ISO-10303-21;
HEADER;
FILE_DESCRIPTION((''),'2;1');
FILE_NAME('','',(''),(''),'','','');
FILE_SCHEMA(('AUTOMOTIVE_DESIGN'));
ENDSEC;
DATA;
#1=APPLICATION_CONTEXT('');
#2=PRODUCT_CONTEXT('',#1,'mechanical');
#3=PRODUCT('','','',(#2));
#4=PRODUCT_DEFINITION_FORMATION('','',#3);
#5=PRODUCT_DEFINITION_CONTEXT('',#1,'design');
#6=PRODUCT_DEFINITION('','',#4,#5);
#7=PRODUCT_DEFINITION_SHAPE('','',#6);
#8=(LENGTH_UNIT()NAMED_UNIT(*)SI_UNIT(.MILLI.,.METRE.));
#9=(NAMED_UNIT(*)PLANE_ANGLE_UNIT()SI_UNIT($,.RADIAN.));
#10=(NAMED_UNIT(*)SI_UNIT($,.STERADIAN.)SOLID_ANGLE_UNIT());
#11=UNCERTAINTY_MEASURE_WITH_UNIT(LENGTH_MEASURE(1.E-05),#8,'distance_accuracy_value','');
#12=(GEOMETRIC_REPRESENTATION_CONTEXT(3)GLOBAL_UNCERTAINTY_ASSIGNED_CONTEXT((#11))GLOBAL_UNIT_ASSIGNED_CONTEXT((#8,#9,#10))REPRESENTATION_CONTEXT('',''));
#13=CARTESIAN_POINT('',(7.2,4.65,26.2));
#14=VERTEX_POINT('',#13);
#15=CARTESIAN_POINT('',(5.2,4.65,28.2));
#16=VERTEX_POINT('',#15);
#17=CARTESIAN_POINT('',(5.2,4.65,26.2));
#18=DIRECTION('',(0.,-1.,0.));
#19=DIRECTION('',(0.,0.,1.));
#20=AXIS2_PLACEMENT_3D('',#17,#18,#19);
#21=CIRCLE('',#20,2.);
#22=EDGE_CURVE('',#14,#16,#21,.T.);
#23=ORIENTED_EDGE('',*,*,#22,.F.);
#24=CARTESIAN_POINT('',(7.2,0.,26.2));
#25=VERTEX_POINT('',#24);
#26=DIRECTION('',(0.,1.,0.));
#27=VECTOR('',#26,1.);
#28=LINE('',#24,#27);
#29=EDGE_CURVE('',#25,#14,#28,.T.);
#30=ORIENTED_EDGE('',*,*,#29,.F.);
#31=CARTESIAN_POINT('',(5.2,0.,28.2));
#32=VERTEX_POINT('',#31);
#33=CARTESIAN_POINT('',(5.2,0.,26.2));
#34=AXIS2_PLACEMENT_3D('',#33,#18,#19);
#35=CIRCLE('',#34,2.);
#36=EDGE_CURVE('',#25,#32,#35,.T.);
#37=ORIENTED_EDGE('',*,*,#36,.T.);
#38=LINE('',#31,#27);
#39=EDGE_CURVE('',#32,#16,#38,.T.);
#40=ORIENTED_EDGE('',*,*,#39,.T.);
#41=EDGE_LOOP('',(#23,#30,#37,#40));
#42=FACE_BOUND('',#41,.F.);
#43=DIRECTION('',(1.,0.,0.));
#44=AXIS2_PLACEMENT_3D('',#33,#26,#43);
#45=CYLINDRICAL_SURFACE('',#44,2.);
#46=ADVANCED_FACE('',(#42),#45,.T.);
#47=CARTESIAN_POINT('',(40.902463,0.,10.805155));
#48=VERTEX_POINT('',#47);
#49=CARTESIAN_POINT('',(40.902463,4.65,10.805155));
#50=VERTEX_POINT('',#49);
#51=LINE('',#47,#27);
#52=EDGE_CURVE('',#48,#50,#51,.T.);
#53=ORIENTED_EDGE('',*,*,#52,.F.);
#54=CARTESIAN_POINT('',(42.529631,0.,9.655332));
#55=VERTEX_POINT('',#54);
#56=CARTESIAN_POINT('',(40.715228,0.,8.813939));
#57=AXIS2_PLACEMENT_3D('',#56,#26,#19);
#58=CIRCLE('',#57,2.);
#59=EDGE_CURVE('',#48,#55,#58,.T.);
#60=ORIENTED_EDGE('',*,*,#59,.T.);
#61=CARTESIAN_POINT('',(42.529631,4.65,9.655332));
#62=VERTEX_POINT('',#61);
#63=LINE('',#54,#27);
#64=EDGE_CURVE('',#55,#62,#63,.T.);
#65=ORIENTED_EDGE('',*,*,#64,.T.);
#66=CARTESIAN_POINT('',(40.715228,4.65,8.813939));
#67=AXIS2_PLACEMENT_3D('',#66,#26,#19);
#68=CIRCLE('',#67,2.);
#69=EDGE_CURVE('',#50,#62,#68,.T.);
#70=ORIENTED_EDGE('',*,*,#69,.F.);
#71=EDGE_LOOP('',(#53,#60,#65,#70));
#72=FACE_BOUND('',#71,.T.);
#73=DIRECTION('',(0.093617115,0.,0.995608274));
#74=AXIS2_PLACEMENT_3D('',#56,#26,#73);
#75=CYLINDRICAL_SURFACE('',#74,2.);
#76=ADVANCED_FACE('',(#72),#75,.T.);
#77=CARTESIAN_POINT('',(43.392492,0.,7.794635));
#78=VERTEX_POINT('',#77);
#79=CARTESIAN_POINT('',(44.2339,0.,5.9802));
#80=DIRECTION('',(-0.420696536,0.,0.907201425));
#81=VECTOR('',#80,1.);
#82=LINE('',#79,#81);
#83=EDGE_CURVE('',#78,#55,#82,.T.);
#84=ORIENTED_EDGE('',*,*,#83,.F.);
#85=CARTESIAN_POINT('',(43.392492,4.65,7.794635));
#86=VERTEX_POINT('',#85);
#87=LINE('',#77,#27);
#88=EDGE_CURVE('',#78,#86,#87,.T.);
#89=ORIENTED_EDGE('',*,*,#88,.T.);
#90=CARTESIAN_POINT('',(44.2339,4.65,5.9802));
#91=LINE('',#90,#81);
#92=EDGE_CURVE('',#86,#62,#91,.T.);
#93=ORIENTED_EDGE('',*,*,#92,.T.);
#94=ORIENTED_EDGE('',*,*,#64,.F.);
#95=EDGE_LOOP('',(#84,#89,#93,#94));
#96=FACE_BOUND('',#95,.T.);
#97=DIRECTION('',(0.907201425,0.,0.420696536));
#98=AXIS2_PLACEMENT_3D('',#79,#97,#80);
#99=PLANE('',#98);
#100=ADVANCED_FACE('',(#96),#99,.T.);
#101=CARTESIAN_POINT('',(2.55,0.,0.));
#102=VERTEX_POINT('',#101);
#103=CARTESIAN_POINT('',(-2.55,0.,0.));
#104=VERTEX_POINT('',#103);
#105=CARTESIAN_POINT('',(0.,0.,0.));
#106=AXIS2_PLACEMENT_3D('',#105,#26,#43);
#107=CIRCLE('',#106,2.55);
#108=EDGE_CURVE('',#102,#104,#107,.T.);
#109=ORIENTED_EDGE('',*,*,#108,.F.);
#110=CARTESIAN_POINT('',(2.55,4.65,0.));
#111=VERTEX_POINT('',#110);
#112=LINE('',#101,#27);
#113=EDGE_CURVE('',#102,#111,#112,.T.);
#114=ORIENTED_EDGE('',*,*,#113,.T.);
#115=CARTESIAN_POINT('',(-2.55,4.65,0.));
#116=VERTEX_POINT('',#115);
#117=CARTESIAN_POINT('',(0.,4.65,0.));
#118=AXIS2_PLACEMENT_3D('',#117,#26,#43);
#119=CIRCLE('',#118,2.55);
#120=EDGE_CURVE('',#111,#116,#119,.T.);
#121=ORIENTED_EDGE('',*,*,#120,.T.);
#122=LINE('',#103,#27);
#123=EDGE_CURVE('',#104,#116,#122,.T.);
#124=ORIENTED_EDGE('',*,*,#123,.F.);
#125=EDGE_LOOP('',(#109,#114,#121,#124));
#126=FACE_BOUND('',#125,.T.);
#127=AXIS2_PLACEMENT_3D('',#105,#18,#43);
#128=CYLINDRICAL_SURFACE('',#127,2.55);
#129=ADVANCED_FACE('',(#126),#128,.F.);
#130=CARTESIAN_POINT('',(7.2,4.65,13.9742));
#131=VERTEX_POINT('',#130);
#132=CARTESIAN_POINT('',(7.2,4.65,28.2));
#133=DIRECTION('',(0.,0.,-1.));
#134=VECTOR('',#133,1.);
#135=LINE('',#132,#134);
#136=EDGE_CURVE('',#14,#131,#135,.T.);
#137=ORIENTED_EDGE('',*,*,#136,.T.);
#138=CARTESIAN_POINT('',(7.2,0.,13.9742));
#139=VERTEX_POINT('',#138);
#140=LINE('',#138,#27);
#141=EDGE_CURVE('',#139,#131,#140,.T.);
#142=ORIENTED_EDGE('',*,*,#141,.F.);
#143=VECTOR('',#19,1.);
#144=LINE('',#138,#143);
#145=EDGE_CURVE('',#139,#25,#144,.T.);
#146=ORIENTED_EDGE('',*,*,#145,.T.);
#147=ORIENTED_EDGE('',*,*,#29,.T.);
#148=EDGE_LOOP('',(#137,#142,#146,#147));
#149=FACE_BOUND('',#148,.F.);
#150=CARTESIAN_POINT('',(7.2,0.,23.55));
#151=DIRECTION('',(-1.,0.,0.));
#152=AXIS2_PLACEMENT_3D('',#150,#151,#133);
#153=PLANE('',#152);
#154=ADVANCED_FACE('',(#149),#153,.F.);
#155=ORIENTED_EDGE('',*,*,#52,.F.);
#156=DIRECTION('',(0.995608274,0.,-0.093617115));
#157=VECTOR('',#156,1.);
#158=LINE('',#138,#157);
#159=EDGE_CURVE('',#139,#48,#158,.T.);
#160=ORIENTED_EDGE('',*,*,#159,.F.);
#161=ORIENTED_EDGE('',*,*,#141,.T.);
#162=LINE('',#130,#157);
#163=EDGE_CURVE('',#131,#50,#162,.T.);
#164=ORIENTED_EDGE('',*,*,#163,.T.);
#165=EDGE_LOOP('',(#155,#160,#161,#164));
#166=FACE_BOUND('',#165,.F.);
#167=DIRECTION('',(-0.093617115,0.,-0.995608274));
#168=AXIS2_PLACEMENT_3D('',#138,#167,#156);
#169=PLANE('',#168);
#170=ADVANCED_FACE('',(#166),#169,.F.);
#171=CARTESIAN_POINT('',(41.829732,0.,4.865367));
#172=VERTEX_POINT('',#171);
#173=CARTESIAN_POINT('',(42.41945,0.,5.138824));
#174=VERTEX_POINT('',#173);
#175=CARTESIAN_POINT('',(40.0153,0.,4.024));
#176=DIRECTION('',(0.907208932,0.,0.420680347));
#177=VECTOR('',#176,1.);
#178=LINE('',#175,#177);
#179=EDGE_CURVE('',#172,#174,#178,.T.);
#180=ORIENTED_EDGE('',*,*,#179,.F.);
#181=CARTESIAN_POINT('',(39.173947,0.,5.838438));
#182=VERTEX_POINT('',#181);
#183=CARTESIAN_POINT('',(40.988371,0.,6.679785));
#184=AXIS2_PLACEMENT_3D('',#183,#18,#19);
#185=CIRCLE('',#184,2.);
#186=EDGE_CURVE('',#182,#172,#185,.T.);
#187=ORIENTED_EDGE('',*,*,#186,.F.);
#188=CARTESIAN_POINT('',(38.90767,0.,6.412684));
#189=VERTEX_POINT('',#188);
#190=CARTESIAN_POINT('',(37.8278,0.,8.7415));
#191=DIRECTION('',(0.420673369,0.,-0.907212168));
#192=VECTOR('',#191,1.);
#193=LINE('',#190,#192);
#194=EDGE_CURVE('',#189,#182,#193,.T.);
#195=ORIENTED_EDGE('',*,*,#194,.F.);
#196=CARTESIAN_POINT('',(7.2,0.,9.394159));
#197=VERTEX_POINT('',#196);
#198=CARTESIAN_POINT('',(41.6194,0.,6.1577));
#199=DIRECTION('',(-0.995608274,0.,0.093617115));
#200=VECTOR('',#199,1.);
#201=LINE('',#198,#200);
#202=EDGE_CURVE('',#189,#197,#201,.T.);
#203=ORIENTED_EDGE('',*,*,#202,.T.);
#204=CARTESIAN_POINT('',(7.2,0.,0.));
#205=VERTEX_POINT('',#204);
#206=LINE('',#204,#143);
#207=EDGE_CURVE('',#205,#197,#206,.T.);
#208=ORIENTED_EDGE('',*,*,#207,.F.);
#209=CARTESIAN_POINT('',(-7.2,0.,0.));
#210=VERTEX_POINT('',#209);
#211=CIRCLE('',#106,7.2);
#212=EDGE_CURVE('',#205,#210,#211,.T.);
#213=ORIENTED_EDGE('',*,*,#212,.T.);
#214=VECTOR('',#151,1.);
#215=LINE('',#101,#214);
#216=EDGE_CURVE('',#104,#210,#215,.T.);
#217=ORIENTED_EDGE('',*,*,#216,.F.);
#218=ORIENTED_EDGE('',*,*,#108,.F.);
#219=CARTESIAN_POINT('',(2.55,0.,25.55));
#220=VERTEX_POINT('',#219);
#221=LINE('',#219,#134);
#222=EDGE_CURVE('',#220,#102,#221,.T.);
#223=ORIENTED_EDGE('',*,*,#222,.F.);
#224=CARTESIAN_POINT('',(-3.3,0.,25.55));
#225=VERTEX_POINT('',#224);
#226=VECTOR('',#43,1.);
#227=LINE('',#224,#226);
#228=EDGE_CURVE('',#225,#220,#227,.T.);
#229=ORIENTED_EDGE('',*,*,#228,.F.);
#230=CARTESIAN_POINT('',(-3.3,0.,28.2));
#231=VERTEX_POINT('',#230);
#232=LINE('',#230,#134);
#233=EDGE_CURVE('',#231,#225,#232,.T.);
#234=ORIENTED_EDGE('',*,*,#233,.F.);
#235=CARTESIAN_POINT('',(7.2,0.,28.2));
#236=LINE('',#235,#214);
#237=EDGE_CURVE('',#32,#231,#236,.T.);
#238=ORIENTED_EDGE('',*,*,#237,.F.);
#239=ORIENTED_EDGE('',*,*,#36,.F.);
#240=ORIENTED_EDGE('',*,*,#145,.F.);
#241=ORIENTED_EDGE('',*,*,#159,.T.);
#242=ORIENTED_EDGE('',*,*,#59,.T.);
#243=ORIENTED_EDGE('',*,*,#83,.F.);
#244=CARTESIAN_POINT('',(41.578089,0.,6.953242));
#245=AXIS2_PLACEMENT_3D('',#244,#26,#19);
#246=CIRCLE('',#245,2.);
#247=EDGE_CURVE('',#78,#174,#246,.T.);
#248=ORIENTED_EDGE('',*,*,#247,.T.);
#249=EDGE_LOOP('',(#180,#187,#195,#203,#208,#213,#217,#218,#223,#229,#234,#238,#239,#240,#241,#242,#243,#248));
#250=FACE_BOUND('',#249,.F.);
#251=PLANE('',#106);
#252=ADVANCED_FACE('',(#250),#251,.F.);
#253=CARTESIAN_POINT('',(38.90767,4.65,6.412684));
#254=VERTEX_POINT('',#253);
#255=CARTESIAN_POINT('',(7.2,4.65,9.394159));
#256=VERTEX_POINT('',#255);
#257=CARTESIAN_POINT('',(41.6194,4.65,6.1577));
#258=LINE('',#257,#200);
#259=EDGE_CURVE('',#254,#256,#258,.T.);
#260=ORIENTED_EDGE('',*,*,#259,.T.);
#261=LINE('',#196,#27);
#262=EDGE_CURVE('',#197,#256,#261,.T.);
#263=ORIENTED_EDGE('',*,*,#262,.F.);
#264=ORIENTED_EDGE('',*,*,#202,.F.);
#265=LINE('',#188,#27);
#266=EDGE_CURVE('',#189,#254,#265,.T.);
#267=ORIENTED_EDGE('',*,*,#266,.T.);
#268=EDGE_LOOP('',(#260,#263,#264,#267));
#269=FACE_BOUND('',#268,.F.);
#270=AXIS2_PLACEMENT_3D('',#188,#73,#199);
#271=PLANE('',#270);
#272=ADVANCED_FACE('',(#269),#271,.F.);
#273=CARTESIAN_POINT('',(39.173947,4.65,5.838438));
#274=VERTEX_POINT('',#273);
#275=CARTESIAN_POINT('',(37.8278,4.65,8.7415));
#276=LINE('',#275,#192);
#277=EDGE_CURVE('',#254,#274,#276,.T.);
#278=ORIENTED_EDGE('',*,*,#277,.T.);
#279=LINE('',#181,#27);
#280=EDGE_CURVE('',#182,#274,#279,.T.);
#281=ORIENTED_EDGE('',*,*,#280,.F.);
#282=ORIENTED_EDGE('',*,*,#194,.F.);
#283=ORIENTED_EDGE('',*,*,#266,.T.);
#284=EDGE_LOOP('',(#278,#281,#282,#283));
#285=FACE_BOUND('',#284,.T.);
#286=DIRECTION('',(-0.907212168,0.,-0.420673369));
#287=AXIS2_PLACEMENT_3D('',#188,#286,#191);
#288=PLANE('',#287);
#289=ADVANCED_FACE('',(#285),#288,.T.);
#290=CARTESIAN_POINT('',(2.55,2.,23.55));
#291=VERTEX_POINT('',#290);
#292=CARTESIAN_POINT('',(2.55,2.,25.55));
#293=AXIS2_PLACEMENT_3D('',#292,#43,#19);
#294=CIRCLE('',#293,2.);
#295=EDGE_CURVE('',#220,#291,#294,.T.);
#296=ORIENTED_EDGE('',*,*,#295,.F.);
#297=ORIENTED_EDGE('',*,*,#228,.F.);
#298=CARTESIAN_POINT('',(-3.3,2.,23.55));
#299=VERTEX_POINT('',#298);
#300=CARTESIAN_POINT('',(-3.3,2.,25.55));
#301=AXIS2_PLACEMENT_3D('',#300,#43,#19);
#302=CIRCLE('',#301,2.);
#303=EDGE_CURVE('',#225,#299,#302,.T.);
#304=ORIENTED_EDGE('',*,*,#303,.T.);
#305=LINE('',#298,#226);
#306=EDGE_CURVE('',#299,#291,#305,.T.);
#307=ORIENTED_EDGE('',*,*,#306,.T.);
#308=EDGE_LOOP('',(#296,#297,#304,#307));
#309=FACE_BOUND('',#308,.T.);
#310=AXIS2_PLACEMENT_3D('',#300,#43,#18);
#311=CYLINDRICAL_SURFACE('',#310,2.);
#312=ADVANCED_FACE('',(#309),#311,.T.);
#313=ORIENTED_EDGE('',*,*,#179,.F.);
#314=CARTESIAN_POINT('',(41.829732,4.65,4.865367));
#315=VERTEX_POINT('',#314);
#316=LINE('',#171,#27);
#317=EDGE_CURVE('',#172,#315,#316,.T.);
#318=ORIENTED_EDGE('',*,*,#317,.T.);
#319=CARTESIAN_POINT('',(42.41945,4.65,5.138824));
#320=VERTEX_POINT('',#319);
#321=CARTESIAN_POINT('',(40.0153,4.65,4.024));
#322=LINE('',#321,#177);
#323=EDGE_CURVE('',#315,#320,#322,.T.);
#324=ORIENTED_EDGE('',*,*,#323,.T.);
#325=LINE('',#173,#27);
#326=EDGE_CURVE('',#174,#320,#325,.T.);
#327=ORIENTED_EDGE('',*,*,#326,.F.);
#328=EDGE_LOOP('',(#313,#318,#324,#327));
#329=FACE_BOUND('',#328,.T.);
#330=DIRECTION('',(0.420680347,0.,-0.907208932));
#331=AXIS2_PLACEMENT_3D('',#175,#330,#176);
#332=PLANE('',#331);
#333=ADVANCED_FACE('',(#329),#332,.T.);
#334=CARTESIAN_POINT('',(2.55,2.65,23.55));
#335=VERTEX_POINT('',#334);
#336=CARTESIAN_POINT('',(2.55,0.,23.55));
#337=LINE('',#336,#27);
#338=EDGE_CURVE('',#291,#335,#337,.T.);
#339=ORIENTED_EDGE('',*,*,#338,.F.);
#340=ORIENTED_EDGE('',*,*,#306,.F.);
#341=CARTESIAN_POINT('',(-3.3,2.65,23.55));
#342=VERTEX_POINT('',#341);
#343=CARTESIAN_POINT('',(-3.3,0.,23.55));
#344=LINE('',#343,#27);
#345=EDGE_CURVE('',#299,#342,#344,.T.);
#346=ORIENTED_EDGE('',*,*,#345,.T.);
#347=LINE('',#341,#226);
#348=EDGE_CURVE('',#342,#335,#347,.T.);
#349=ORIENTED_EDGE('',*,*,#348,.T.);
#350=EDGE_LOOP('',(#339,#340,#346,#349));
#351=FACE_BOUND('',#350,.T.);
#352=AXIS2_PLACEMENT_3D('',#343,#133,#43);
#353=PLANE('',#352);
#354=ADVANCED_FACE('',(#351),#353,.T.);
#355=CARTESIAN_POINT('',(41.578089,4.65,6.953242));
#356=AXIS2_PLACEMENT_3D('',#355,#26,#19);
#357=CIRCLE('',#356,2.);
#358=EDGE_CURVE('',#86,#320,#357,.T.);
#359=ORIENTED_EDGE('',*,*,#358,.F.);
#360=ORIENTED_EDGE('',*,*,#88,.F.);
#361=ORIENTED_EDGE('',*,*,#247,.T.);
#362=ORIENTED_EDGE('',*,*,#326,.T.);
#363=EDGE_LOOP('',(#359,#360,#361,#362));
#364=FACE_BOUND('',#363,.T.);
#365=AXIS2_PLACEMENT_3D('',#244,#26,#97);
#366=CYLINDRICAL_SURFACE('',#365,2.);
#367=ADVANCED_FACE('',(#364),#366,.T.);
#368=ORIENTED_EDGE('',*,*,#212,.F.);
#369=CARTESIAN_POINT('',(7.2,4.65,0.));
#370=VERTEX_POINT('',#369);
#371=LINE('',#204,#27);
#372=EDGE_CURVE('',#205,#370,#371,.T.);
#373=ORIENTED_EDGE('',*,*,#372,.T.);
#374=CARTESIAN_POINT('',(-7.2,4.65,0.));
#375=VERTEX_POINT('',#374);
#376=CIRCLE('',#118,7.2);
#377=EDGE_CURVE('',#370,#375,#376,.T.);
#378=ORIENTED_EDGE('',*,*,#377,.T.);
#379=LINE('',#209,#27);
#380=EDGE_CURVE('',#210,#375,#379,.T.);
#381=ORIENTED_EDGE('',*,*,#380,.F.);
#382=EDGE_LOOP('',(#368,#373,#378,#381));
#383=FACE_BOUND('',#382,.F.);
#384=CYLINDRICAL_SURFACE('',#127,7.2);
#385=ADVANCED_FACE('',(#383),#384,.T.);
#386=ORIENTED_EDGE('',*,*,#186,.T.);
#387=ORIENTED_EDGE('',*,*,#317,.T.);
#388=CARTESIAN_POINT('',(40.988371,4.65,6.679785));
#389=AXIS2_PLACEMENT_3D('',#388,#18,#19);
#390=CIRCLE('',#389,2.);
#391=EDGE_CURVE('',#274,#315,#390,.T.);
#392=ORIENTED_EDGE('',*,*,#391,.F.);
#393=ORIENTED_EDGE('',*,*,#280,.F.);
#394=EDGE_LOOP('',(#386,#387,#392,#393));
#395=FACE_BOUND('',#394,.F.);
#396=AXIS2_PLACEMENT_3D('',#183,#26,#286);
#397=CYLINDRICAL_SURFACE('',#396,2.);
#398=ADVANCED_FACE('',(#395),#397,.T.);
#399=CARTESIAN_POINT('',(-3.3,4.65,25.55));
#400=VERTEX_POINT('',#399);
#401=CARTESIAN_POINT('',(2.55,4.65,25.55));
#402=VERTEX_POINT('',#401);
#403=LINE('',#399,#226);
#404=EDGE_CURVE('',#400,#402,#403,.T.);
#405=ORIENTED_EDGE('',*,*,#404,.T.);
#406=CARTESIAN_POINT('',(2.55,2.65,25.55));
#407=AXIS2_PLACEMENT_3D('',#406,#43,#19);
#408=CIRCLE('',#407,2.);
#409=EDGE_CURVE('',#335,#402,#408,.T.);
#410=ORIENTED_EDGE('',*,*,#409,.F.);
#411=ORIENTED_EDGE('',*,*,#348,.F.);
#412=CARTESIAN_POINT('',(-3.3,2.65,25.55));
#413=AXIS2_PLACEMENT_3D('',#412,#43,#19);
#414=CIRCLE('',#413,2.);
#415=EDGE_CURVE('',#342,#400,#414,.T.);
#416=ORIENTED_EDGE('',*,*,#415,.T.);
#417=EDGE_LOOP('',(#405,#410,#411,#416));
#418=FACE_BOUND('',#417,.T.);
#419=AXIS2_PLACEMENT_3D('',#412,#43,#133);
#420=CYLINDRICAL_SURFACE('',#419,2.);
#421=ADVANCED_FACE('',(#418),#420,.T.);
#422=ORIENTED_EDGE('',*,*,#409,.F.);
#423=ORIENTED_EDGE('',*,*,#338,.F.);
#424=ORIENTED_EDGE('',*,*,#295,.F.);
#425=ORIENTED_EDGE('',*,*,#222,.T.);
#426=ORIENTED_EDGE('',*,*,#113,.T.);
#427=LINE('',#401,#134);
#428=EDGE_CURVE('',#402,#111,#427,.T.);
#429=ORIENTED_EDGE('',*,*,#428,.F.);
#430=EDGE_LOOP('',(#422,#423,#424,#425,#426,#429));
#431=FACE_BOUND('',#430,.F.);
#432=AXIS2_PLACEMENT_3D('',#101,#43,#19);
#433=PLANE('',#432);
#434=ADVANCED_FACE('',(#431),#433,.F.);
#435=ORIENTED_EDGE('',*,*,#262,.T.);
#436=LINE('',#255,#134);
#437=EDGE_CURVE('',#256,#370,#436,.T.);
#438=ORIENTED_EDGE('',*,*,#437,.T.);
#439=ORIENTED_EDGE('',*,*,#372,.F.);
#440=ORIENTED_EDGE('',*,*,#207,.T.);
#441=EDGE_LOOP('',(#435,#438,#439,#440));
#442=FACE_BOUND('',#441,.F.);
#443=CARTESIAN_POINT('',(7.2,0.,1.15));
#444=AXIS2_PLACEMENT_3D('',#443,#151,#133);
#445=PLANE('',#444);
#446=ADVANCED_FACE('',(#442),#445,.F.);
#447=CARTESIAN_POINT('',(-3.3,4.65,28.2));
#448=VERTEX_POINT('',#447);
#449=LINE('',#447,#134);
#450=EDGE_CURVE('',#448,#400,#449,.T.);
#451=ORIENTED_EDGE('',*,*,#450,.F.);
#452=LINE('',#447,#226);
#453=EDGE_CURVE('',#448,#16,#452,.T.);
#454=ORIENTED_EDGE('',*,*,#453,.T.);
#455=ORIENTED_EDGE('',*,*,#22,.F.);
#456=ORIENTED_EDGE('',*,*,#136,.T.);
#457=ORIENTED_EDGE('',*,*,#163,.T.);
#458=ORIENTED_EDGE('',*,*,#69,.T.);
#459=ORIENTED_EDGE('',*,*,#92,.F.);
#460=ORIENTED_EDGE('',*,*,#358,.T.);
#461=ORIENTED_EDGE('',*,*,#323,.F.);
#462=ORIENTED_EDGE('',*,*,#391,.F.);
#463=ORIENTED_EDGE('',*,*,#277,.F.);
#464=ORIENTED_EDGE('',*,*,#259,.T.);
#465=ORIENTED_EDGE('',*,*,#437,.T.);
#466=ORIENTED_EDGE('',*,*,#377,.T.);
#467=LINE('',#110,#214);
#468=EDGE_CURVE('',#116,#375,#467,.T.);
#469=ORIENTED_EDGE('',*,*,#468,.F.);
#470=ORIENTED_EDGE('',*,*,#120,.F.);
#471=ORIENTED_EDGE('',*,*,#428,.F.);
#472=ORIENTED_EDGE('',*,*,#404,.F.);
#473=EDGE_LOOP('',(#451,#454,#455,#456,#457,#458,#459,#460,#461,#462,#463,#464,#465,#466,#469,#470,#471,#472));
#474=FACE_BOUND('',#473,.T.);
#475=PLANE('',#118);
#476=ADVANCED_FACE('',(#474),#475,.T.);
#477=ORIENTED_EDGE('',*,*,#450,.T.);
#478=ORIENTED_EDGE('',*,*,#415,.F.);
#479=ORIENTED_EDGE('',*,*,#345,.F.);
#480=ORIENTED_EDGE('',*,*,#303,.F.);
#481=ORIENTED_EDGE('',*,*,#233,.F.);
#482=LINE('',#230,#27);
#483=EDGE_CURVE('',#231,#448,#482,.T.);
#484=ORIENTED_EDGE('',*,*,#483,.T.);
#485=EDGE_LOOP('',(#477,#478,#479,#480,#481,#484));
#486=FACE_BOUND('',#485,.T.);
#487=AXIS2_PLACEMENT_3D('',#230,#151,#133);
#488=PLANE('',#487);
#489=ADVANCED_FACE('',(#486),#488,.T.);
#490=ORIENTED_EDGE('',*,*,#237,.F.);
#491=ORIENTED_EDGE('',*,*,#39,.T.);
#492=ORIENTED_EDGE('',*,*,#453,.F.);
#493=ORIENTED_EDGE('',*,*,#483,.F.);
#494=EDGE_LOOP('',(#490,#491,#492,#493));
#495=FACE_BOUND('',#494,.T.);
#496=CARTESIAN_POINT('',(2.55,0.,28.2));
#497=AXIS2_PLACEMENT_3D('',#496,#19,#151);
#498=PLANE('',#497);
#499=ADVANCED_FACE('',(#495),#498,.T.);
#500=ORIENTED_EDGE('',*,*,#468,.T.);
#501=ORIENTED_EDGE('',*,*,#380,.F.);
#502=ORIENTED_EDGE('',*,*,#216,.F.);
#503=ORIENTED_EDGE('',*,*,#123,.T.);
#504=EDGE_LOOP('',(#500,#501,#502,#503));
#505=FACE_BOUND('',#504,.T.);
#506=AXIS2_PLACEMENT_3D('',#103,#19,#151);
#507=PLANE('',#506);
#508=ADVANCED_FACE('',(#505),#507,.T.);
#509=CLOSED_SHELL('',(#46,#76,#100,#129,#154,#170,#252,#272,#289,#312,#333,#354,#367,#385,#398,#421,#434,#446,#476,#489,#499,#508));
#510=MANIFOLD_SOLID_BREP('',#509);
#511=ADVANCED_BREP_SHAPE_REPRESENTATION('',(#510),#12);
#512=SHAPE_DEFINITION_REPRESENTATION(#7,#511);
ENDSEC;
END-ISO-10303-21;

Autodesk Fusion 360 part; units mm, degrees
sketch "Sketch1" plane through (0, 0, 0) normal (0, 1, 0) x (1, 0, 0)
  circle A0 centre (0, 0) radius 7.2
  circle A1 centre (0, 0) radius 2.55
  line L0 (7.2, 0) -> (2.55, 0)
  line L1 (2.55, 0) -> (2.55, -28.2)
  line L2 (2.55, -28.2) -> (7.2, -28.2)
  line L3 (7.2, -28.2) -> (7.2, 0)
  line L4 (7.2, -28.2) -> (-3.3, -28.2)
  line L5 (-3.3, -28.2) -> (-3.3, -23.55)
  line L6 (-3.3, -23.55) -> (7.2, -23.55)
  line L7 (7.2, -23.55) -> (7.2, -28.2)
  line L8 (2.55, 0) -> (-7.2, 0)
  line L9 (7.2, -5.8) -> (7.2, -1.15)
  line L10 (7.2, -13.9742) -> (42.0463, -10.6976)
  line L11 (42.0463, -10.6976) -> (41.6194, -6.1577)
  line L12 (41.6194, -6.1577) -> (6.7731, -9.4343)
  line L13 (6.7731, -9.4343) -> (7.2, -13.9742)
  line L14 (42.0463, -10.6976) -> (37.8278, -8.7415)
  line L15 (37.8278, -8.7415) -> (40.0153, -4.024)
  line L16 (40.0153, -4.024) -> (44.2339, -5.9802)
  line L17 (44.2339, -5.9802) -> (42.0463, -10.6976)
  dimension "d1" = 14.4
  dimension "d2" = 5.1
  dimension "d3" = 4.65
  dimension "d4" = 28.2
  dimension "d5" = 10.5
  dimension "d6" = 4.65
  dimension "d16" = 35
  dimension "d17" = 4.56
  dimension "d18" = 4.65
  dimension "d19" = 5.2
extrude "Extrude1" add sketch "Sketch1" along normal blind 4.65 contours A0 A1 L0 L8 | A0 L1 L3 L6 L9 L12 L13 | A0 L0 L1 | L1 L2 L3 L4 L6 L7 | L1 L4 L5 L6 | L3 L10 L12 L14 L15 | L3 L12 L13 | L11 L12 L15 L16 L17 | L11 L12 L14 L15
fillet "Fillet1" radius 2 3 edges at (40.0153, 2.325, 4.024) (44.2339, 2.325, 5.9802) (42.0463, 2.325, 10.6976)
fillet "Fillet2" radius 2 1 edges at (7.2, 2.325, 28.2)
fillet "Fillet3" radius 2 2 edges at (-0.375, 4.65, 23.55) (-0.375, 0, 23.55)
